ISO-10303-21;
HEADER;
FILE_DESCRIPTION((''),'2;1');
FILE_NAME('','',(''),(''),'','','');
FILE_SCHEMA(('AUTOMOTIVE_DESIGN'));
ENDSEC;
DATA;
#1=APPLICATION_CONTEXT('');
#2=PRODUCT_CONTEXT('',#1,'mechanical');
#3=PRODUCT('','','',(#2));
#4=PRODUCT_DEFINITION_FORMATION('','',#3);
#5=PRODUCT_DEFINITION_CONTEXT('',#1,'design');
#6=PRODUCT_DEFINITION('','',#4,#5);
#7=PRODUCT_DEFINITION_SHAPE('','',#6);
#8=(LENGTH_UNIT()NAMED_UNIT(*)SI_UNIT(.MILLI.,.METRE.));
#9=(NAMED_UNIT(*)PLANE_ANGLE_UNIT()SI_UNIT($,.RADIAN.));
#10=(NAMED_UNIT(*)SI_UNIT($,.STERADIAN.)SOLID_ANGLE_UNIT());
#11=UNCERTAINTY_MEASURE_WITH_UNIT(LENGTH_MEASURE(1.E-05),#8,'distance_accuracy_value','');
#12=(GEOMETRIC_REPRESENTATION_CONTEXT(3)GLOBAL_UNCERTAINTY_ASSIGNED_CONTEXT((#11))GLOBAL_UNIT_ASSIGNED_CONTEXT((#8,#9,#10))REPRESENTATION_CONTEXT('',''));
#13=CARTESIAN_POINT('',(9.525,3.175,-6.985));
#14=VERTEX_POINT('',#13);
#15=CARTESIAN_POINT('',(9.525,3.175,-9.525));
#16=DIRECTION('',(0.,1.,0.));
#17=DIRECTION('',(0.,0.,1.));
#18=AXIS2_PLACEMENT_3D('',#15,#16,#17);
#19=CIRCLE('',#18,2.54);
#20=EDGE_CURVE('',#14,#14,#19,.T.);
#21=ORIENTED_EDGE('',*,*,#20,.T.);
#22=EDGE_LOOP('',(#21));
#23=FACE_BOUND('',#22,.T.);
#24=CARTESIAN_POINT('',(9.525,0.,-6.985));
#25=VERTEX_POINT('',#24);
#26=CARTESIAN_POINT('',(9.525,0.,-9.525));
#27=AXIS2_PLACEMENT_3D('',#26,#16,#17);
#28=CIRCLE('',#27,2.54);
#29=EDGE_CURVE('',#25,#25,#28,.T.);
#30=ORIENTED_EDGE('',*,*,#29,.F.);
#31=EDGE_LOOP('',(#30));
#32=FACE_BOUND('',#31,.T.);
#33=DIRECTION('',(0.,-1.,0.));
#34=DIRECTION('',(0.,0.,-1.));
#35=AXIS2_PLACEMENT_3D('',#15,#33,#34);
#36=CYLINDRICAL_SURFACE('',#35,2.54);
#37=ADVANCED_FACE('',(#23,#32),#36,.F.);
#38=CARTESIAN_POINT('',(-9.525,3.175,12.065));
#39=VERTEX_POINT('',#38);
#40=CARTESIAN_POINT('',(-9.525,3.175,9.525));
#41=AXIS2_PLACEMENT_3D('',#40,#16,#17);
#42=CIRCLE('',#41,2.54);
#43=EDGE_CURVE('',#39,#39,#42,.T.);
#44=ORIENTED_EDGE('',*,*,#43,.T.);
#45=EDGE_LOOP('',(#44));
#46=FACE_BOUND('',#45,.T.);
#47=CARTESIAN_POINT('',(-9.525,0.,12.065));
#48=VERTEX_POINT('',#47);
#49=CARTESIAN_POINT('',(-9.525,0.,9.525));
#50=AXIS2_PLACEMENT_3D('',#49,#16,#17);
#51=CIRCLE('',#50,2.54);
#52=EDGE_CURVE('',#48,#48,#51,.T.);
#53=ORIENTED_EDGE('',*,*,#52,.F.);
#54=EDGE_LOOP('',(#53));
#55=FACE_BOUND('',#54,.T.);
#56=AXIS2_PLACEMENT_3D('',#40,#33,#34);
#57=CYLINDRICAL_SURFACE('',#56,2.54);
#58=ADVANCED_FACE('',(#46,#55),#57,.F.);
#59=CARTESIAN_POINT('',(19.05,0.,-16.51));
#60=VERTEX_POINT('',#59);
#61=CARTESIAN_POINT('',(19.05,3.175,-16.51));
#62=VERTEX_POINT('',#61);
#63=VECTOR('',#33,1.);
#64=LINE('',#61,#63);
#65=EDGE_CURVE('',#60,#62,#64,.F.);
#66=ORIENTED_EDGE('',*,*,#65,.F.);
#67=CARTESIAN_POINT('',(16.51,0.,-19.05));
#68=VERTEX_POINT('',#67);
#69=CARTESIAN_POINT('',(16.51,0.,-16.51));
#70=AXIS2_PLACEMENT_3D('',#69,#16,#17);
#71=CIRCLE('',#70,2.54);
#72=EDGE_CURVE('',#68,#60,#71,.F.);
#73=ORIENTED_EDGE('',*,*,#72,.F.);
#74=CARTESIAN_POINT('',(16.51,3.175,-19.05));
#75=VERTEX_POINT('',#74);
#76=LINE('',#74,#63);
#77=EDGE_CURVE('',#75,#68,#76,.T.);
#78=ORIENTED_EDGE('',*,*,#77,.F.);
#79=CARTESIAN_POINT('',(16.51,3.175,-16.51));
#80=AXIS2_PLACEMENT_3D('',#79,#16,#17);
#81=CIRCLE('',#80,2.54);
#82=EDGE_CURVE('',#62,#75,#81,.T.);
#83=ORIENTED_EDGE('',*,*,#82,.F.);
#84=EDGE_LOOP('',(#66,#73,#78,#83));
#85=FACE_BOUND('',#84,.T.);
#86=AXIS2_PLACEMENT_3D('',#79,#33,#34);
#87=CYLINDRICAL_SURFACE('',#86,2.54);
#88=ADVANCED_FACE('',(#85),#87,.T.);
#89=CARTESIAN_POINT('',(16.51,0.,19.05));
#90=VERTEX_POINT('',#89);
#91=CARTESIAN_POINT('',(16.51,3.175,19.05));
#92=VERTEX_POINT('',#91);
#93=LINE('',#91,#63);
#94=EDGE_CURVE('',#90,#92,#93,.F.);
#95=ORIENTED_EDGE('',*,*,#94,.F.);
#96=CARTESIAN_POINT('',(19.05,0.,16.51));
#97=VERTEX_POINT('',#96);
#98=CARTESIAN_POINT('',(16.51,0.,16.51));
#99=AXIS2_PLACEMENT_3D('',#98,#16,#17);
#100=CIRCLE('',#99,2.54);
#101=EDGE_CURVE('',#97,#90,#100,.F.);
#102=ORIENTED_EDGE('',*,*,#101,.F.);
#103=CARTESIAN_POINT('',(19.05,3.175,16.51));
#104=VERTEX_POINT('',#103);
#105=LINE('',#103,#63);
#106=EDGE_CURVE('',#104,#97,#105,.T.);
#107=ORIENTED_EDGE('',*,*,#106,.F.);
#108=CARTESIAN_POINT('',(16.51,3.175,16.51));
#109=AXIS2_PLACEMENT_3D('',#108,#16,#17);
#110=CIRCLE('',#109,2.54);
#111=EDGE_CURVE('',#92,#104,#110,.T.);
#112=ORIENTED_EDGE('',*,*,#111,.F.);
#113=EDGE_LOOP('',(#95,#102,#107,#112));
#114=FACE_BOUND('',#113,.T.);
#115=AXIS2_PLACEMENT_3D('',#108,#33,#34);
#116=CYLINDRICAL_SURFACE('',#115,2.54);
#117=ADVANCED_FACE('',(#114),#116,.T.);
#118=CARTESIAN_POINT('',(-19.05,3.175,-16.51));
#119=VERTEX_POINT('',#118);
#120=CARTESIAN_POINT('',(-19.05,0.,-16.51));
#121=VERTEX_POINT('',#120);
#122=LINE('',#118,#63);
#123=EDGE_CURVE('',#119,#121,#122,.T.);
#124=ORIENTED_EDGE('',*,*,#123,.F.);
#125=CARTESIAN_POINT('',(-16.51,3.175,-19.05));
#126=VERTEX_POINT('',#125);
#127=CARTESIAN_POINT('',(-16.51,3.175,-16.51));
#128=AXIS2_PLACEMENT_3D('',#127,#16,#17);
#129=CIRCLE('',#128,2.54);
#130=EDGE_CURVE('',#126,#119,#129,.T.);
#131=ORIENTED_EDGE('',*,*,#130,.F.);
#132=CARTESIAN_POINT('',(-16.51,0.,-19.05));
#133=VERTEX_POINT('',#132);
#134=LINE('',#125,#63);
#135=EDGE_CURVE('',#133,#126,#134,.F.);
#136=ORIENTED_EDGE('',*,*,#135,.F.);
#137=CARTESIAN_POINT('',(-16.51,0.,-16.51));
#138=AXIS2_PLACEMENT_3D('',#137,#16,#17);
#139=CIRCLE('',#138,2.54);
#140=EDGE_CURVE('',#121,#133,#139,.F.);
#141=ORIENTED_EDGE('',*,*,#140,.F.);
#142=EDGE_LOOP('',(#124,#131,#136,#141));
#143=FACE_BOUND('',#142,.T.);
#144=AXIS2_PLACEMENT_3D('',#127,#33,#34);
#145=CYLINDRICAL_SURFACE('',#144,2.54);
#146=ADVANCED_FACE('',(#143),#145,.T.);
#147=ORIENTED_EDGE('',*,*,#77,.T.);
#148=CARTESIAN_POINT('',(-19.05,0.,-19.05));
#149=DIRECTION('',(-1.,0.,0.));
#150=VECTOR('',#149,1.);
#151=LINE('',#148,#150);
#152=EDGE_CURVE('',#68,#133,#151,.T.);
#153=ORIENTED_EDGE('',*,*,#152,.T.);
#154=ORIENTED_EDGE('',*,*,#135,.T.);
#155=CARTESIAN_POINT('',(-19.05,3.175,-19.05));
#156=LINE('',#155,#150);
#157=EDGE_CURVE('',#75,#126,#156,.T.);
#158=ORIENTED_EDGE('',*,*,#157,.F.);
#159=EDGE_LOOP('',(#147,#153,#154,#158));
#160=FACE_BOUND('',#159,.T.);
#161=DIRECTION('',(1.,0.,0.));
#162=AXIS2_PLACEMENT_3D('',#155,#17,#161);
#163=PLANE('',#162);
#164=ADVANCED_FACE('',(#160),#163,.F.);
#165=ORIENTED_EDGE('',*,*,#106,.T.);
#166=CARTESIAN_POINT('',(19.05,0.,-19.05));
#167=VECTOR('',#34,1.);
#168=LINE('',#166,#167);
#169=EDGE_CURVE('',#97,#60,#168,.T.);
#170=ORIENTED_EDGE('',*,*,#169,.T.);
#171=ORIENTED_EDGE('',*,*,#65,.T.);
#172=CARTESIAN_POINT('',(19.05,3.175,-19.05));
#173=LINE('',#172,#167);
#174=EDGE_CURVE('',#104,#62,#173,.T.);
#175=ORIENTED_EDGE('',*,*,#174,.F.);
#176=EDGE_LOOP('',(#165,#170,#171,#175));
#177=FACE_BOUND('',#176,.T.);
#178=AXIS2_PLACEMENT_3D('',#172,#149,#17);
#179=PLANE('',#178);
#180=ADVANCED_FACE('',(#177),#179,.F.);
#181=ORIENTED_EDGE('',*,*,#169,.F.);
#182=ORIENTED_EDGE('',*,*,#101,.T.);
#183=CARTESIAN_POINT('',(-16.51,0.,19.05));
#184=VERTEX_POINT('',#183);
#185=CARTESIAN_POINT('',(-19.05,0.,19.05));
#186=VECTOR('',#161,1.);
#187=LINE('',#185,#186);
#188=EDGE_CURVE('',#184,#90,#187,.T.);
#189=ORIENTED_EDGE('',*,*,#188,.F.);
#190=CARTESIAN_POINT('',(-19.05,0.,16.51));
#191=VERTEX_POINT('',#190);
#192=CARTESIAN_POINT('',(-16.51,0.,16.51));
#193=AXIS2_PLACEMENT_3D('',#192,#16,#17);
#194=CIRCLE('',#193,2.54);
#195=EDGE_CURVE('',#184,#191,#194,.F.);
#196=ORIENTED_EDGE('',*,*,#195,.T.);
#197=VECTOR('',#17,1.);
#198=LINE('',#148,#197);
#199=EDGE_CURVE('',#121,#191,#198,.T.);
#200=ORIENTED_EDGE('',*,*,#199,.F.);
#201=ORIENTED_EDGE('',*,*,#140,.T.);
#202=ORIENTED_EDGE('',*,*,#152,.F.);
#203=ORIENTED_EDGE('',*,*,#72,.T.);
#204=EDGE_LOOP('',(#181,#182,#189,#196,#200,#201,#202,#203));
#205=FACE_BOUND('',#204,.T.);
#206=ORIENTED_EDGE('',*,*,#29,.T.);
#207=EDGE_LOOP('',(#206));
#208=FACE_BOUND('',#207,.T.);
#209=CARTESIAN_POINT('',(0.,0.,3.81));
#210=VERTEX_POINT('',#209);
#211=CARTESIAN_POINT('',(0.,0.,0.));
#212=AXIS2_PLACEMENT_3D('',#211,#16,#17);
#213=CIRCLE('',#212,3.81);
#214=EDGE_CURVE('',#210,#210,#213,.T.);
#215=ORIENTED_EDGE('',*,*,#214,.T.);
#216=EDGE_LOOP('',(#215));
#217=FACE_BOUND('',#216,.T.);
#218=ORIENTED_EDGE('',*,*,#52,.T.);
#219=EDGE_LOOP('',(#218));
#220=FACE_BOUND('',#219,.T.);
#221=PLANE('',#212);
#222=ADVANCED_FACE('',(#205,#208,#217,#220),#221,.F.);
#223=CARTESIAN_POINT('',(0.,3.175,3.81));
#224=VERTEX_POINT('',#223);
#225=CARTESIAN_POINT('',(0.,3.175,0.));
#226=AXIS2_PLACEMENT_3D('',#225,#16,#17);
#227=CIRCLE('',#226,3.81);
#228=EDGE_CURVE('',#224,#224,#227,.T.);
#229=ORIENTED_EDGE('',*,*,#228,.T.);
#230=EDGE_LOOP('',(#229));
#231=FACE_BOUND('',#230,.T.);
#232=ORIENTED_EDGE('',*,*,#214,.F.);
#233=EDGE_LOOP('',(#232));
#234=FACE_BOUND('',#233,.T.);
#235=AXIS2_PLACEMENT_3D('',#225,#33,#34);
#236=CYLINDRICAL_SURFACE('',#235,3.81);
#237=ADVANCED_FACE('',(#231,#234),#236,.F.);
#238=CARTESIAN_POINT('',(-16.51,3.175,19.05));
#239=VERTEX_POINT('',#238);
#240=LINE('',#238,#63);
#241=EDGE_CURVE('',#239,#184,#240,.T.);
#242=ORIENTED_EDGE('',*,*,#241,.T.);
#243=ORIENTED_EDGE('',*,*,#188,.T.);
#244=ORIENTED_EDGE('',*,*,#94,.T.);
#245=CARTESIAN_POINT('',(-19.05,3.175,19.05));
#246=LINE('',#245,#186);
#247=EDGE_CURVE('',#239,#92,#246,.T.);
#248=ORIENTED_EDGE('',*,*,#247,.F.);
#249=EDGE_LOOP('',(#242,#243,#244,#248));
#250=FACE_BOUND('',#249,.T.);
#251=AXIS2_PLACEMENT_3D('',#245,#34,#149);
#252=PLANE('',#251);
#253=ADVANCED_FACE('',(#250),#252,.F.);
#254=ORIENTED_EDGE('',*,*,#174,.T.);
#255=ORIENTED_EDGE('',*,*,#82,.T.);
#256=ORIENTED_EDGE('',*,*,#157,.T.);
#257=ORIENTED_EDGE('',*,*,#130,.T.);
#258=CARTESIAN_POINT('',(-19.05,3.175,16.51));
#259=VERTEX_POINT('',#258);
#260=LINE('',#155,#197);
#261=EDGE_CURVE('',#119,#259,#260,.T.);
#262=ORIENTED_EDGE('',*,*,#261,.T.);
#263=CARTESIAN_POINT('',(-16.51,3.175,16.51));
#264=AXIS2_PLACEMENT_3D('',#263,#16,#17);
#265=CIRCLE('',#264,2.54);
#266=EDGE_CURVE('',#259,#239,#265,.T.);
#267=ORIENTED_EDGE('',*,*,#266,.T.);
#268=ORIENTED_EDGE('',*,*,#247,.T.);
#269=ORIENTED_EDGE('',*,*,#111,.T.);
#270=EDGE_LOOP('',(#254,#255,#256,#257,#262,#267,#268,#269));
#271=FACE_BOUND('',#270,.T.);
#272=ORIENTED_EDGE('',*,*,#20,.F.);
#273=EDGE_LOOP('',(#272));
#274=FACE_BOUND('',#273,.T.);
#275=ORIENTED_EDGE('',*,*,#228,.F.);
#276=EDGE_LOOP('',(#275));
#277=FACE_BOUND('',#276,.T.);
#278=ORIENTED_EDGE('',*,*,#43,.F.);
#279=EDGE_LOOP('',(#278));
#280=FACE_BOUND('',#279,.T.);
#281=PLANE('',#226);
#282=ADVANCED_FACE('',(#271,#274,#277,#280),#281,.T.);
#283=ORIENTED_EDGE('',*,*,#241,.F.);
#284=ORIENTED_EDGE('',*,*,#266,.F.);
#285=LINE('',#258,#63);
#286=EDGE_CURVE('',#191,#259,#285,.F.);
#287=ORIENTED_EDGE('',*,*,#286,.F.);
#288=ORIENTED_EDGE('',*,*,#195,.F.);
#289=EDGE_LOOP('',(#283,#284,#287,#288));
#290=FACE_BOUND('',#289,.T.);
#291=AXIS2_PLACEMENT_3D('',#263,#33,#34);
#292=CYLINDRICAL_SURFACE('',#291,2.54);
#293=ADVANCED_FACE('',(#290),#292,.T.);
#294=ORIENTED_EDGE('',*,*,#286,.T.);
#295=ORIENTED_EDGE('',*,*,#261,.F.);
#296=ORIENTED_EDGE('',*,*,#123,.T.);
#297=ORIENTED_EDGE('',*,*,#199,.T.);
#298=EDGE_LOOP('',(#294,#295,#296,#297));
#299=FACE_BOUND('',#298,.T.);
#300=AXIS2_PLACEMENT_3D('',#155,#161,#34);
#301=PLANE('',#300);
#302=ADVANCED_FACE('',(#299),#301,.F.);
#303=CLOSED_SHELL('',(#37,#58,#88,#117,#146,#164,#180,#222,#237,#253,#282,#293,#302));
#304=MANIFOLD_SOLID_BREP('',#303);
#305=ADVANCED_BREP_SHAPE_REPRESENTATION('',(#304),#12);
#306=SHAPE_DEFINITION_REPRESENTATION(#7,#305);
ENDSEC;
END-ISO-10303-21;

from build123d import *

# Parameters (mm, degrees)
SKETCH1_W           = 38.1
SKETCH1_H           = 38.1
SKETCH1_R           = 2.54
SKETCH1_R_2         = 3.81
BOSS_EXTRUDE1_DEPTH = 3.175
FILLET1_R           = 2.54


with BuildPart() as part:
    # Sketch1 → Boss-Extrude1 (new body)
    with BuildSketch(Plane(origin=(0, 0, 0), x_dir=(1, 0, 0), z_dir=(0, 1, 0))):
        Rectangle(SKETCH1_W, SKETCH1_H)
        with Locations((9.525, 9.525)):
            Circle(SKETCH1_R, mode=Mode.SUBTRACT)
        with Locations((-9.525, -9.525)):
            Circle(SKETCH1_R, mode=Mode.SUBTRACT)
        Circle(SKETCH1_R_2, mode=Mode.SUBTRACT)
    extrude(amount=BOSS_EXTRUDE1_DEPTH)

    # Fillet1
    fillet1_edges = [part.edges().sort_by_distance(p)[0] for p in [
        (-19.05, 1.5875, -19.05),
        (19.05, 1.5875, -19.05),
        (19.05, 1.5875, 19.05),
        (-19.05, 1.5875, 19.05),
    ]]
    fillet(fillet1_edges, radius=FILLET1_R)


solid = part.part
